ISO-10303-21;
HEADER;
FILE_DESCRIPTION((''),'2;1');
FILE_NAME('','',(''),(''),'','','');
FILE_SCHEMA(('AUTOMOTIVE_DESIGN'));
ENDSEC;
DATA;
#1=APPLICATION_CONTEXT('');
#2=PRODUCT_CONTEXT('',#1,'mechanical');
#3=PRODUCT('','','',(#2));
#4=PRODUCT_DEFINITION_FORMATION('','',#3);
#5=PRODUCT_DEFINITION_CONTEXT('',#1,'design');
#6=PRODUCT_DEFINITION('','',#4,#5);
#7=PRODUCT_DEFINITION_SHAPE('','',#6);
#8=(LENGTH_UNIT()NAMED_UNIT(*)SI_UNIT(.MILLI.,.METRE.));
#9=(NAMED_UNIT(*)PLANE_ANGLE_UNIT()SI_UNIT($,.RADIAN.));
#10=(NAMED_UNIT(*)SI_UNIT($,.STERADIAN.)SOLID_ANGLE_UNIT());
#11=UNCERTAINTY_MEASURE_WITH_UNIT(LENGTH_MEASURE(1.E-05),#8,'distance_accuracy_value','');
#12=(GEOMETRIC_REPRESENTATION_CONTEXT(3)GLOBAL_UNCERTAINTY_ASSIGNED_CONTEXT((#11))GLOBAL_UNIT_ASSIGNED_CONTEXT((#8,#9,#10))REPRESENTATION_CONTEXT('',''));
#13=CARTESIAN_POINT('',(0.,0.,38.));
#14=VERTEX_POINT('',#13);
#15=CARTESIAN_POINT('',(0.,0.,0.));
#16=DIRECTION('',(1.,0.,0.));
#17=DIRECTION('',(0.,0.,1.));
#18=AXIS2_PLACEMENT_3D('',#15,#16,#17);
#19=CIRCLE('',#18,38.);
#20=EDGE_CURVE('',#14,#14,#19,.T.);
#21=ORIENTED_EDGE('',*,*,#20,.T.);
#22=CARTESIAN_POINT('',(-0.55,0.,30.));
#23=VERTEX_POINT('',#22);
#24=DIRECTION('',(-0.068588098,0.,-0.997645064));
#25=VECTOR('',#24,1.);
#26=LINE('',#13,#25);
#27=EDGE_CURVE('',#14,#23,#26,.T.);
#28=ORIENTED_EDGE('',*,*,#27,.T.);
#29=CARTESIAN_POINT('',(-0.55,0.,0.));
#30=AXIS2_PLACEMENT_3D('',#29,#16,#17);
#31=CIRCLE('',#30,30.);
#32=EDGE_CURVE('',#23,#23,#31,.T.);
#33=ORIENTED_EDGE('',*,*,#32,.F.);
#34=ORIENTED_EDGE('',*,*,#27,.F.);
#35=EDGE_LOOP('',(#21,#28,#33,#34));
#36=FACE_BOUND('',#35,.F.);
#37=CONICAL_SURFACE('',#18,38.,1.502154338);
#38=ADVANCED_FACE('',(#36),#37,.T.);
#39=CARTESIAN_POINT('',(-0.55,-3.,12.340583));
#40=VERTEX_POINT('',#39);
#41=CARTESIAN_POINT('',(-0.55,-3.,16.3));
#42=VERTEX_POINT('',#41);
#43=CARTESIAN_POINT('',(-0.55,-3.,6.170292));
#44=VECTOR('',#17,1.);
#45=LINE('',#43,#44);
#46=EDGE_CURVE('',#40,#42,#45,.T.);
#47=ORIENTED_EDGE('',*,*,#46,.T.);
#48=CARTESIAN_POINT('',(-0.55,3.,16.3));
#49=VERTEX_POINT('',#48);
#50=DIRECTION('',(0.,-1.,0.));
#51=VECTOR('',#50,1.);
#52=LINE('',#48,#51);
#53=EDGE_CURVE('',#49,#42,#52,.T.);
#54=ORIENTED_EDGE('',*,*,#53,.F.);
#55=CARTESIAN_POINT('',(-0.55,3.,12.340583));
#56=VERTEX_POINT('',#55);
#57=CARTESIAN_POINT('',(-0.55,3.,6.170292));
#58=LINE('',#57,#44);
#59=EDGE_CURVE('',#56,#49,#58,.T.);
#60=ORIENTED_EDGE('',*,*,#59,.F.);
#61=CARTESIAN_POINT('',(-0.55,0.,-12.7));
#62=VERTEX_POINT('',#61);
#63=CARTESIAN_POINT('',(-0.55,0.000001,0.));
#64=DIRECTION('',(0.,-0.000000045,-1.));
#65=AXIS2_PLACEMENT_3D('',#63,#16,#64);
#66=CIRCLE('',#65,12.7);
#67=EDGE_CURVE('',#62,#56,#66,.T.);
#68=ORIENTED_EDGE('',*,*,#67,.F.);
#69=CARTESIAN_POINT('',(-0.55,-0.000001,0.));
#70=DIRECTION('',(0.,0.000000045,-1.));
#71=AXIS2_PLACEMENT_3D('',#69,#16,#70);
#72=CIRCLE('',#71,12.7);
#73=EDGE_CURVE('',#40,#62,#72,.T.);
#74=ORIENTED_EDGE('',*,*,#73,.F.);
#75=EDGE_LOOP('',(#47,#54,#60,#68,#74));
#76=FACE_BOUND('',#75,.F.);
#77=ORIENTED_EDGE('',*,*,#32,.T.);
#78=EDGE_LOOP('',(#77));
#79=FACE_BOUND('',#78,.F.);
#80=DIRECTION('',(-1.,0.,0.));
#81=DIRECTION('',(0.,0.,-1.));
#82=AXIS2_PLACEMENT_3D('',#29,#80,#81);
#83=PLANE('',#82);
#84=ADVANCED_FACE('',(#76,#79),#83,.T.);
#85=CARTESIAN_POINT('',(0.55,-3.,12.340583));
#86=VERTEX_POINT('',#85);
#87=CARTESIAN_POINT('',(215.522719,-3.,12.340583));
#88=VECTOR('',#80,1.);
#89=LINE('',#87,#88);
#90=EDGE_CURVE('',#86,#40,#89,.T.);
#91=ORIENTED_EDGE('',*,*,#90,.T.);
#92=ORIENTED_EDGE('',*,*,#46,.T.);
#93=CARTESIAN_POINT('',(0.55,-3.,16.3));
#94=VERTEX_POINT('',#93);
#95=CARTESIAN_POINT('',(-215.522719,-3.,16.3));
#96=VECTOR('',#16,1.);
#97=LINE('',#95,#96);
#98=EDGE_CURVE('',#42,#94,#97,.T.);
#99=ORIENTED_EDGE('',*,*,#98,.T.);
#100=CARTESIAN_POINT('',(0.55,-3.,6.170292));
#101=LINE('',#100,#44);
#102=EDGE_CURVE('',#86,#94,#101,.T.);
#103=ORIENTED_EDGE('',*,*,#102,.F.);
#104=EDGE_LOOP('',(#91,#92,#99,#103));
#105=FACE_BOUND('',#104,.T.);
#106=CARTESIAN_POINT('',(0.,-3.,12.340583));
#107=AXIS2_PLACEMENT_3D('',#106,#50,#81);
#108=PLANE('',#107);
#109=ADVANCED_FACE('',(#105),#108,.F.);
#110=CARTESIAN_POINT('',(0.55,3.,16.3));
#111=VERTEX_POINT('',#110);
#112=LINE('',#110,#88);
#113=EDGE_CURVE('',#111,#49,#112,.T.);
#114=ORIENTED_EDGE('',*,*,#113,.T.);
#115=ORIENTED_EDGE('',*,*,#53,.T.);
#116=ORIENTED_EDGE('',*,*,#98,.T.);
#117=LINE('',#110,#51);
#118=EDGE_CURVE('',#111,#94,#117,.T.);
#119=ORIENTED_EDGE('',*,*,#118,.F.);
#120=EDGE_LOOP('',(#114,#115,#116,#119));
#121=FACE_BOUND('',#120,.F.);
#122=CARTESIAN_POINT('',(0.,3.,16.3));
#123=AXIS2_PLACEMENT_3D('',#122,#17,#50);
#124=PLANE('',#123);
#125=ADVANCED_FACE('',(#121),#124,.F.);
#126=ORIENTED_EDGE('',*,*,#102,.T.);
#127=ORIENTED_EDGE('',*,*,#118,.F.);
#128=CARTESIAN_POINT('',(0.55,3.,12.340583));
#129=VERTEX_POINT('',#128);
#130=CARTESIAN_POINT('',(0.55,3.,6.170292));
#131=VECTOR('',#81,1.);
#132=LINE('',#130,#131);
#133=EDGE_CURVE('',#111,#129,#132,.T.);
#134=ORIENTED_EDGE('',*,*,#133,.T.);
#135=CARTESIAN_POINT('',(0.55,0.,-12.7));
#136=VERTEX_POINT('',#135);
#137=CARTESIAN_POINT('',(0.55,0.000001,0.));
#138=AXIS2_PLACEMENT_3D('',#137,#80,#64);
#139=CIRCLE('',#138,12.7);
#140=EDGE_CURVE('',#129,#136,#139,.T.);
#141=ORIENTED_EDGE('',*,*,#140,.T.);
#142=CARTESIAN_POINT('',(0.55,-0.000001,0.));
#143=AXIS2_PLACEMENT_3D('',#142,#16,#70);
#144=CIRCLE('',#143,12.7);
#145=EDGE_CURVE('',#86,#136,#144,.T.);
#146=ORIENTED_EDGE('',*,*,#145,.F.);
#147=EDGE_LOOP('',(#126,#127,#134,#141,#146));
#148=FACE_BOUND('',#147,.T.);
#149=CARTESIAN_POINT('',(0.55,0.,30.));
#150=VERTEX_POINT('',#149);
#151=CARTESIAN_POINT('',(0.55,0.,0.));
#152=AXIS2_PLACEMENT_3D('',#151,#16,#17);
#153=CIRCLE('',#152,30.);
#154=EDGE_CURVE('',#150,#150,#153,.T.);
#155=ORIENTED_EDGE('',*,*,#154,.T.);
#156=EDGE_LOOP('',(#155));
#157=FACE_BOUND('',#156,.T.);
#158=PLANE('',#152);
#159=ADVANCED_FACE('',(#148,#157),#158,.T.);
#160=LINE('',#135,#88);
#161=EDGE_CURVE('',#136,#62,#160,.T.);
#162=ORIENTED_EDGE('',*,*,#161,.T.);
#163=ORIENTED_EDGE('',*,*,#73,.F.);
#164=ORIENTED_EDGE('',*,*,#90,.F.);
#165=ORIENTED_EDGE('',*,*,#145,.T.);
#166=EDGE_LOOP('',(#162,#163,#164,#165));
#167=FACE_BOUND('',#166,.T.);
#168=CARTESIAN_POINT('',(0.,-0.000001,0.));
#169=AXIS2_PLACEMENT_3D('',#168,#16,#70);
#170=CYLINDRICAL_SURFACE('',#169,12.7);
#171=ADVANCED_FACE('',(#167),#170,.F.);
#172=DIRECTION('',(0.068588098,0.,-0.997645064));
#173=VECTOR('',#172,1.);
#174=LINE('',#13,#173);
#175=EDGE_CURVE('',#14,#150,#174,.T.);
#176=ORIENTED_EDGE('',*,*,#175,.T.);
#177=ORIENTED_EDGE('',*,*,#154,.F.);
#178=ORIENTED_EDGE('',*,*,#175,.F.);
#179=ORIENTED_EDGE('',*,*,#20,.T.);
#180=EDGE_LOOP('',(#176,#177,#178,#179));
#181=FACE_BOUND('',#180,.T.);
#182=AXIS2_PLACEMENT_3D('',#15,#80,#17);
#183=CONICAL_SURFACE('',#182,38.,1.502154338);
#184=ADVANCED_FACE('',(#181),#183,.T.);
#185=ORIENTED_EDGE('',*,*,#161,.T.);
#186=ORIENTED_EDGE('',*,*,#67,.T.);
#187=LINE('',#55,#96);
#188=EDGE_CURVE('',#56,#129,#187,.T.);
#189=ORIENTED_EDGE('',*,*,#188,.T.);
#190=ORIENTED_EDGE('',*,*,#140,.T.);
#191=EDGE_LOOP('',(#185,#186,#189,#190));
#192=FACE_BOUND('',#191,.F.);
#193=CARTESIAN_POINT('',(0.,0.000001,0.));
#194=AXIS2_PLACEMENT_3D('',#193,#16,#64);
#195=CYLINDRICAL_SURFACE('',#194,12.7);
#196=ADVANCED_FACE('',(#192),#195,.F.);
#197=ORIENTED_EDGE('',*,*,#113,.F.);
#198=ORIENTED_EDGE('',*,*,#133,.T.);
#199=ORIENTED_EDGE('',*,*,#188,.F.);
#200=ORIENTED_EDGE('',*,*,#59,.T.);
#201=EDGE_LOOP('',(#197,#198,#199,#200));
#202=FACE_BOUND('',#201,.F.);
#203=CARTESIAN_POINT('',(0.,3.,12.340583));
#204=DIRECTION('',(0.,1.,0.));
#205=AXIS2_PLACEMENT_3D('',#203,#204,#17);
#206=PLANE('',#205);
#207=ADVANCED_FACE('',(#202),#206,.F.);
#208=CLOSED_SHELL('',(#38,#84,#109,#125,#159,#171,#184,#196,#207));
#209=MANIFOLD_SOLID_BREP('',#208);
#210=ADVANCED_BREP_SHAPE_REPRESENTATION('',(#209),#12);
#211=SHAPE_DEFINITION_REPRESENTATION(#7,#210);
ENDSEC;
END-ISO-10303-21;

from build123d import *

# Parameters (mm, degrees)
POCKET_DEPTH      = 215.522719
POCKET_DEPTH_BACK = 215.522719


with BuildPart() as part:
    # Sketch001 → Revolution (revolve)
    with BuildSketch(Plane.XZ):
        Polygon((0, 38), (0.55, 30), (0.55, 0), (0, 0), align=None)
    revolution = revolve(axis=Axis((0, 0, 0), (1, 0, 0)))

    # Mirrored: Revolution across Sketch001 V_Axis
    add(revolution.mirror(Plane(origin=(0, 0, 0), x_dir=(0, -1, 0), z_dir=(1, 0, 0))))

    # Sketch002 → Pocket (cut, two sides)
    with BuildSketch(Plane.YZ) as pocket_sk:
        with BuildLine():
            Line((3, 12.340583), (3, 16.3))
            Line((3, 16.3), (0, 16.3))
            Line((0, 16.3), (0, -12.7))
            ThreePointArc((0, -12.7), (12.609826, -1.510727), (3, 12.340583))
        make_face()
    pocket = extrude(amount=-POCKET_DEPTH, mode=Mode.SUBTRACT) + extrude(pocket_sk.sketch, amount=POCKET_DEPTH_BACK, mode=Mode.SUBTRACT)

    # Mirrored001: Pocket across Sketch002 V_Axis
    add(pocket.mirror(Plane(origin=(0, 0, 0), x_dir=(1, 0, 0), z_dir=(0, 1, 0))), mode=Mode.SUBTRACT)


solid = part.part
